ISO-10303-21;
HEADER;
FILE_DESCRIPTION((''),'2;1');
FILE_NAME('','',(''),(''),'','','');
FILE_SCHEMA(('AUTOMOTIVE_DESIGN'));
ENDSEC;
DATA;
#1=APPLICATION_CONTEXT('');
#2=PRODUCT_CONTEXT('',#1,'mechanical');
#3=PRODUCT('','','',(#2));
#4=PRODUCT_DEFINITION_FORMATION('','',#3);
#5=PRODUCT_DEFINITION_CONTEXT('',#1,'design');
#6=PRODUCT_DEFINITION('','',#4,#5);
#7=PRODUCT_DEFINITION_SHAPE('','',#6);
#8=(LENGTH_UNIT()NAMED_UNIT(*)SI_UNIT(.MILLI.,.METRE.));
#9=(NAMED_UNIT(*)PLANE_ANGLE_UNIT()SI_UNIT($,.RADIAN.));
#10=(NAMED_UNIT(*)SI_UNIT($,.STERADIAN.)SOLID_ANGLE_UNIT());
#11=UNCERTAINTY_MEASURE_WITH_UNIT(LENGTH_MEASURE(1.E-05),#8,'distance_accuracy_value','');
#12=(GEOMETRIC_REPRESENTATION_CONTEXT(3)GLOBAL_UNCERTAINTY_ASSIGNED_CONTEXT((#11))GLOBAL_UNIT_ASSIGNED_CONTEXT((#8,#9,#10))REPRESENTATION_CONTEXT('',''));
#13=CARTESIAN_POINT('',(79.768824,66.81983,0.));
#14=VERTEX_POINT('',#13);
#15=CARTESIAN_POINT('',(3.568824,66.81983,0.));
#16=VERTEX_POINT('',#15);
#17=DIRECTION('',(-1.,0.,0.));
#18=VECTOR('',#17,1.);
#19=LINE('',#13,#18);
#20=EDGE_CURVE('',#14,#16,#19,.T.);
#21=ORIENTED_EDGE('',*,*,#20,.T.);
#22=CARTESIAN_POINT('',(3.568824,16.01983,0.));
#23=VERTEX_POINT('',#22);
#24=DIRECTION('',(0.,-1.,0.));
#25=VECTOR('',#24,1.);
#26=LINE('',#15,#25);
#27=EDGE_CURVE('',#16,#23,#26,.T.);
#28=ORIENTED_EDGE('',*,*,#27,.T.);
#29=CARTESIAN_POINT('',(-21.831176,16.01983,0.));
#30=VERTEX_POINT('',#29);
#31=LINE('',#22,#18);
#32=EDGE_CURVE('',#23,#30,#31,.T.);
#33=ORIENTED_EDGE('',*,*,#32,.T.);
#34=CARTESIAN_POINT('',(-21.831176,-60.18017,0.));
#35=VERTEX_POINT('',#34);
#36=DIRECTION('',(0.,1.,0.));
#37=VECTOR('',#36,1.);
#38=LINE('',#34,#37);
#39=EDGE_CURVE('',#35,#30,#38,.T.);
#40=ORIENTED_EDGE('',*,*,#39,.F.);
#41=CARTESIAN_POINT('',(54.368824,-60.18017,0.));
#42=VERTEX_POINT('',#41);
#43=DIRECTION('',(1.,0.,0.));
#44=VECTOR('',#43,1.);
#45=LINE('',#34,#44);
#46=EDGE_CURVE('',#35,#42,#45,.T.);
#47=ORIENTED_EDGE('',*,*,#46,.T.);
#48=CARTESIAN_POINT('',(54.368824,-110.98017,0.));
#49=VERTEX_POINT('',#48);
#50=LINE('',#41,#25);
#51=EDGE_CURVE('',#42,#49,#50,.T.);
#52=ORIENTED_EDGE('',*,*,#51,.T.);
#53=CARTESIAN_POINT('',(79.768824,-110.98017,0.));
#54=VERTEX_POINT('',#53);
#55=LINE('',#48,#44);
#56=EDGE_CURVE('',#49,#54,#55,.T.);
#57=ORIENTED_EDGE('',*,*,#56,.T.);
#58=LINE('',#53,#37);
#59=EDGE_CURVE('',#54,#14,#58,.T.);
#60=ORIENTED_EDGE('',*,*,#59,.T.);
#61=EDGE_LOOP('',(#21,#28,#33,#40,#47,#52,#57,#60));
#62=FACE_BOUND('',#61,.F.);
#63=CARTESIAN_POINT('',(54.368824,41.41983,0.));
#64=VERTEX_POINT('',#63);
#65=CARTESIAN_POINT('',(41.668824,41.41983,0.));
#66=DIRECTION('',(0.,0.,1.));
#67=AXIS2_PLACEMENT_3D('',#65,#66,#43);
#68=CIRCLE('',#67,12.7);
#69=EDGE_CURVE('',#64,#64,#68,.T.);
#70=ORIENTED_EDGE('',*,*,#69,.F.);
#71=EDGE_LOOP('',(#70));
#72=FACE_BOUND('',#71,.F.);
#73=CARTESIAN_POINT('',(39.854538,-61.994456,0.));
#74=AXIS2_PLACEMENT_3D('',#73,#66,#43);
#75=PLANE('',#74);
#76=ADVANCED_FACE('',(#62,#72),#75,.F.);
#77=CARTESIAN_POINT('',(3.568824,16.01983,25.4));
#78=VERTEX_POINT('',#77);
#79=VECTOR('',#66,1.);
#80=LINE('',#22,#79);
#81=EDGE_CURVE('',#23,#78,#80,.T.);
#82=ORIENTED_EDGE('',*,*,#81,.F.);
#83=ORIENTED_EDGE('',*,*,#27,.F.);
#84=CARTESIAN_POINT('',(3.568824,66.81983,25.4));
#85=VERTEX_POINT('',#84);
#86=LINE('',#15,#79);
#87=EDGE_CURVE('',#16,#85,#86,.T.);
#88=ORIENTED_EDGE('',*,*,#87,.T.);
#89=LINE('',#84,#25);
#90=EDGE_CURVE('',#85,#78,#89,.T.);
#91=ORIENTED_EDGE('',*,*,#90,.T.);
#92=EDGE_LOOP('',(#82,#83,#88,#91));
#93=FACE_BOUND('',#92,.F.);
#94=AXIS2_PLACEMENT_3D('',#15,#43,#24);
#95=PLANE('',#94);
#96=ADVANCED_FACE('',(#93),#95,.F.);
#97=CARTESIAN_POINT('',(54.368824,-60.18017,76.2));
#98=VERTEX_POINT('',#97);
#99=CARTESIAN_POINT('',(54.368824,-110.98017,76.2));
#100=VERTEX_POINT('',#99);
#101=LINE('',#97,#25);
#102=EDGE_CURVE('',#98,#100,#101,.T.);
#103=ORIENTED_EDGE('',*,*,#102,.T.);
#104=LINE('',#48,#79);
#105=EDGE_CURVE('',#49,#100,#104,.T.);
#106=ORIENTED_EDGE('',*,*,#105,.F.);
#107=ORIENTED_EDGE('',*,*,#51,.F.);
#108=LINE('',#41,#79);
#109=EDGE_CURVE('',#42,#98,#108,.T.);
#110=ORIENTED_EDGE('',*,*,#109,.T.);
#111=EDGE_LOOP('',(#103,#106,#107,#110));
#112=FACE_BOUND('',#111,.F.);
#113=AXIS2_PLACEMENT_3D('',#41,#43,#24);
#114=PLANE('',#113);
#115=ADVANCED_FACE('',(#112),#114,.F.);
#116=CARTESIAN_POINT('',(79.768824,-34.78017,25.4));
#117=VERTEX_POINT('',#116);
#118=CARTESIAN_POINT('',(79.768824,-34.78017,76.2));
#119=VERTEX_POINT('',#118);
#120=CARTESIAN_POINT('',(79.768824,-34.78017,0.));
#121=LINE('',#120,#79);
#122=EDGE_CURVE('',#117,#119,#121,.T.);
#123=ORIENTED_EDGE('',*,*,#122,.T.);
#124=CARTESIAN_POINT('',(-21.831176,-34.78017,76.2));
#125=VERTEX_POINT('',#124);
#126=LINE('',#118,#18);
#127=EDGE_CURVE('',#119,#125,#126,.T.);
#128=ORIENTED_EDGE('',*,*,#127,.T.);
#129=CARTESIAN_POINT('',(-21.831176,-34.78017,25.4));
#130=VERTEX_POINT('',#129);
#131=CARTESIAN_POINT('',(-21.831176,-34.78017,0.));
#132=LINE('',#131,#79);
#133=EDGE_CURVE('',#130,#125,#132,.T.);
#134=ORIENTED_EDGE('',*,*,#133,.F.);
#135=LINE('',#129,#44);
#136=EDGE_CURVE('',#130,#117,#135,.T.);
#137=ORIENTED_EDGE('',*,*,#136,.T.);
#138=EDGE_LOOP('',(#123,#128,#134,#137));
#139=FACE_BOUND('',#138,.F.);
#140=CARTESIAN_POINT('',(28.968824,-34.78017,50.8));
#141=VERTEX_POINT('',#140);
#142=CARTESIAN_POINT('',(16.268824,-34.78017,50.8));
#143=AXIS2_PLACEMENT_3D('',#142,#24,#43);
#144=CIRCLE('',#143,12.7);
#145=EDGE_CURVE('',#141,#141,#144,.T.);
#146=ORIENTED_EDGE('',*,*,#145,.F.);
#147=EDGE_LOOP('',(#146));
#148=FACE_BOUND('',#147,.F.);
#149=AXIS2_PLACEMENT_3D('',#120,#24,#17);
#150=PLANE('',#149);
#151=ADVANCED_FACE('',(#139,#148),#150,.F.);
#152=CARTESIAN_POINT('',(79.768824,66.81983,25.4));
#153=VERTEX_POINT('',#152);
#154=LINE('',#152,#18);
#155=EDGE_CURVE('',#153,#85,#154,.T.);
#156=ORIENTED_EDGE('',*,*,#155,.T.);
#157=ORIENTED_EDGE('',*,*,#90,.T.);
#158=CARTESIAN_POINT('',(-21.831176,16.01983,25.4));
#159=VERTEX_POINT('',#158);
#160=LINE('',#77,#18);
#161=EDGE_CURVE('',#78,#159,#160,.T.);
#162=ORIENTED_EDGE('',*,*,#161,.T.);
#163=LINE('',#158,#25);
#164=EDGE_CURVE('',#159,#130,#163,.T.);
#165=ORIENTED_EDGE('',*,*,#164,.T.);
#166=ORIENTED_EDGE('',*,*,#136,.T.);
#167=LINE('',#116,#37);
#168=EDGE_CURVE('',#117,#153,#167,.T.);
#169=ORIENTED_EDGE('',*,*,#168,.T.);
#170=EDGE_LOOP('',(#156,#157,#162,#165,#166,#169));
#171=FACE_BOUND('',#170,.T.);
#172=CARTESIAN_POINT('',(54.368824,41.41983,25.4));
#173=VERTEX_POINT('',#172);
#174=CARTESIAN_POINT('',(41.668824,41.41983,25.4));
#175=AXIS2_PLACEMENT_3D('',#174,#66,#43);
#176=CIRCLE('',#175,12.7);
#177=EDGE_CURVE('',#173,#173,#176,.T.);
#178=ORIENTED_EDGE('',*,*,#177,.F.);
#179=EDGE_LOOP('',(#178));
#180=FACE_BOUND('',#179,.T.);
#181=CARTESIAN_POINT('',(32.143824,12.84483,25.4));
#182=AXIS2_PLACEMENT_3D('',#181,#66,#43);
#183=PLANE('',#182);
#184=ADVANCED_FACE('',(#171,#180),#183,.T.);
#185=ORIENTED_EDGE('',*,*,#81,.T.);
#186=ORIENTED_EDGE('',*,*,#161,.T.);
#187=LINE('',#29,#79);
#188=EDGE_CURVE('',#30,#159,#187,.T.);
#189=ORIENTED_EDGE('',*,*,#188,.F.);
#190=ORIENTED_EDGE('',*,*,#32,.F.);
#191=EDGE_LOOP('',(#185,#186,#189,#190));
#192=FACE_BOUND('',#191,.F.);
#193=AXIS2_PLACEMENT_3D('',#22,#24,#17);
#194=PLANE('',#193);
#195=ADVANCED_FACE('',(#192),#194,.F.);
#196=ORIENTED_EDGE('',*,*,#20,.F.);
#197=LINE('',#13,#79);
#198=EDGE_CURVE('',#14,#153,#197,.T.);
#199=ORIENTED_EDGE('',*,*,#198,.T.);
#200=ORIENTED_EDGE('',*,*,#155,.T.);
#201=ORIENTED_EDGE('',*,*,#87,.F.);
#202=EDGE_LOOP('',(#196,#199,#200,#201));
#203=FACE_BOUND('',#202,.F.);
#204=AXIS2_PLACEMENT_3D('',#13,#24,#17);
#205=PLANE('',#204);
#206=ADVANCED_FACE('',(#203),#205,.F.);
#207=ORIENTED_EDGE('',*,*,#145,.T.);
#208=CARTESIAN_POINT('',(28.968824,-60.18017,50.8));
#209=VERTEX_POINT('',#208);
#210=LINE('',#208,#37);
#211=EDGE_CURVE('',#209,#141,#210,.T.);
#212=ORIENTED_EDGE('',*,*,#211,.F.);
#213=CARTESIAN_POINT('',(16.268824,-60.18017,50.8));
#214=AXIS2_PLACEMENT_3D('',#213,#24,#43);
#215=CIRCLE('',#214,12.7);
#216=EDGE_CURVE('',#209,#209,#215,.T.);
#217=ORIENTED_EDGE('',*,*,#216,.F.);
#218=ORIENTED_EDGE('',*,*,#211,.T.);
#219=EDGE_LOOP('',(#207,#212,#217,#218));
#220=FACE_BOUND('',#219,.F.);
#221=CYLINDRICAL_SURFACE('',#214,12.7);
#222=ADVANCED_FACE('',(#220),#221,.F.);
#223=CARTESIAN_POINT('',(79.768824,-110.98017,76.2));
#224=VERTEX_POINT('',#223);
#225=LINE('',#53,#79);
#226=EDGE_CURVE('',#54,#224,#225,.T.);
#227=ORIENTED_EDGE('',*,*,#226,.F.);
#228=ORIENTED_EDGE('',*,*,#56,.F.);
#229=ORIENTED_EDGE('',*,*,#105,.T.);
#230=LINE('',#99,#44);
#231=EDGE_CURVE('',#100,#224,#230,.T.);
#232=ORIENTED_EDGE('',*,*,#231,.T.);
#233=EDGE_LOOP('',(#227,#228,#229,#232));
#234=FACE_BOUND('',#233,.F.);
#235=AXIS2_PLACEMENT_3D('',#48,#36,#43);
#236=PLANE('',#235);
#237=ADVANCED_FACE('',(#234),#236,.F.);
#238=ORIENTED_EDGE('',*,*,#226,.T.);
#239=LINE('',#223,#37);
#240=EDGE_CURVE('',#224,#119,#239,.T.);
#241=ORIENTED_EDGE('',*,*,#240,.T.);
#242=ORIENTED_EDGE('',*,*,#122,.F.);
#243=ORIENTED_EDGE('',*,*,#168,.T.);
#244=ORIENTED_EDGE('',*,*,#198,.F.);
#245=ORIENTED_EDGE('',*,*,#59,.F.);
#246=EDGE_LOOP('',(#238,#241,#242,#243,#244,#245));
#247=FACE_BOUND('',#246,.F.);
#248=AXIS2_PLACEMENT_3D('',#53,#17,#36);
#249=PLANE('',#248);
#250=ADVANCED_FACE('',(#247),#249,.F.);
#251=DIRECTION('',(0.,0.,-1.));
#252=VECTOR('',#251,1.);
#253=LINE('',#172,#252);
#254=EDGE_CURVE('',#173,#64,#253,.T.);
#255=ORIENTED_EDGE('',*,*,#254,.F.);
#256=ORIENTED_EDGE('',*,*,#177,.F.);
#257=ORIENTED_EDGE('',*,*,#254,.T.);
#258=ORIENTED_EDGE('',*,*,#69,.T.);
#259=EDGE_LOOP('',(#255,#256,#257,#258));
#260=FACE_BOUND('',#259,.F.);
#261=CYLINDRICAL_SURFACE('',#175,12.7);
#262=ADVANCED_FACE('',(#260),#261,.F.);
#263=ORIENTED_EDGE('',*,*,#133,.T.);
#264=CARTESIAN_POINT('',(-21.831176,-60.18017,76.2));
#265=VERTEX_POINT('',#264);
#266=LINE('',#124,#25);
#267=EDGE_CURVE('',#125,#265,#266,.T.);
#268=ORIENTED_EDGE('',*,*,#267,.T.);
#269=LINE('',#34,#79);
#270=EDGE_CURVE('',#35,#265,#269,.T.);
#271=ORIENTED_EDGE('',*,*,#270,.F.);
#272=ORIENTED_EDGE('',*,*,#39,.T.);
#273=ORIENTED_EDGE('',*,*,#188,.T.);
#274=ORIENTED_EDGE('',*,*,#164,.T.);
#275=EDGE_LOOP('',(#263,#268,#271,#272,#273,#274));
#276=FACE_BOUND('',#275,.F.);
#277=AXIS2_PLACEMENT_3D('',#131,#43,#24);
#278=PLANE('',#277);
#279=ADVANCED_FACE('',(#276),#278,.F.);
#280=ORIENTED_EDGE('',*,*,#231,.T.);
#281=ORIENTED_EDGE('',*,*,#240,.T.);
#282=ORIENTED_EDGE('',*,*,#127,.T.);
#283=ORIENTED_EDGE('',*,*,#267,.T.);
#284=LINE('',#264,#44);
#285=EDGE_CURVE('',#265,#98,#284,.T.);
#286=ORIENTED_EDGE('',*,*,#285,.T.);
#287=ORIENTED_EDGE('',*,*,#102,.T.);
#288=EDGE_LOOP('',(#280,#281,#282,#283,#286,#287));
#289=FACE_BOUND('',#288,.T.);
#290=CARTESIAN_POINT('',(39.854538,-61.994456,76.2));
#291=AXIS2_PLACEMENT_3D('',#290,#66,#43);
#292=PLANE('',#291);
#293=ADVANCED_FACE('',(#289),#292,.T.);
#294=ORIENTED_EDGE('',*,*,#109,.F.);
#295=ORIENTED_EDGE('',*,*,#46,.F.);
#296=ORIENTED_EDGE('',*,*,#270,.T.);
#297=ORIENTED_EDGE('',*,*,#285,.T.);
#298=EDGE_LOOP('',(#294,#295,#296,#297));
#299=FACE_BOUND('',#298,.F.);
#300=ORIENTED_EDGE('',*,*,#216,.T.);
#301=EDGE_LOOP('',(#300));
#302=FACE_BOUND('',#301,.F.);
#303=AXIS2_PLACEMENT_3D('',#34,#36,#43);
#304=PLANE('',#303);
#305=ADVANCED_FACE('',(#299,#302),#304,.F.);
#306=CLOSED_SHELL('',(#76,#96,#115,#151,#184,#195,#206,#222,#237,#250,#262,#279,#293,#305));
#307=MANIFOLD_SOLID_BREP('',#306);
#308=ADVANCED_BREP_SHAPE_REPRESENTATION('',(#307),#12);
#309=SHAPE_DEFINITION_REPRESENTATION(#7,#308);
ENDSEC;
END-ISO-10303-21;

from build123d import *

# Parameters (mm, degrees)
F1_DEPTH = 25.4
F2_DEPTH = 76.2
F3_R     = 12.7
F4_DEPTH = 127.001
F5_R     = 12.7
F6_DEPTH = 25.401


with BuildPart() as f1:
    # F0 (on Top) → F1 (new body)
    with BuildSketch(Plane.XY):
        Polygon((79.768824, 66.81983), (3.568824, 66.81983), (3.568824, 16.01983), (-21.831176, 16.01983), (-21.831176, -34.78017), (79.768824, -34.78017), align=None)
    extrude(amount=F1_DEPTH)

    # F0 (on Top) → F2 (join)
    with BuildSketch(Plane.XY):
        Polygon((79.768824, -110.98017), (79.768824, -34.78017), (-21.831176, -34.78017), (-21.831176, -60.18017), (54.368824, -60.18017), (54.368824, -110.98017), align=None)
    extrude(amount=F2_DEPTH)

    # F3 (on face) → F4 (cut, through all)
    with BuildSketch(Plane.XZ.offset(60.18017)):
        with Locations((16.268824, 50.8)):
            Circle(F3_R)
    extrude(amount=-F4_DEPTH, mode=Mode.SUBTRACT)

    # F5 (on face) → F6 (cut, through all)
    with BuildSketch(Plane.XY.offset(25.4)):
        with Locations((41.668824, 41.41983)):
            Circle(F5_R)
    extrude(amount=-F6_DEPTH, mode=Mode.SUBTRACT)


solid = f1.part
